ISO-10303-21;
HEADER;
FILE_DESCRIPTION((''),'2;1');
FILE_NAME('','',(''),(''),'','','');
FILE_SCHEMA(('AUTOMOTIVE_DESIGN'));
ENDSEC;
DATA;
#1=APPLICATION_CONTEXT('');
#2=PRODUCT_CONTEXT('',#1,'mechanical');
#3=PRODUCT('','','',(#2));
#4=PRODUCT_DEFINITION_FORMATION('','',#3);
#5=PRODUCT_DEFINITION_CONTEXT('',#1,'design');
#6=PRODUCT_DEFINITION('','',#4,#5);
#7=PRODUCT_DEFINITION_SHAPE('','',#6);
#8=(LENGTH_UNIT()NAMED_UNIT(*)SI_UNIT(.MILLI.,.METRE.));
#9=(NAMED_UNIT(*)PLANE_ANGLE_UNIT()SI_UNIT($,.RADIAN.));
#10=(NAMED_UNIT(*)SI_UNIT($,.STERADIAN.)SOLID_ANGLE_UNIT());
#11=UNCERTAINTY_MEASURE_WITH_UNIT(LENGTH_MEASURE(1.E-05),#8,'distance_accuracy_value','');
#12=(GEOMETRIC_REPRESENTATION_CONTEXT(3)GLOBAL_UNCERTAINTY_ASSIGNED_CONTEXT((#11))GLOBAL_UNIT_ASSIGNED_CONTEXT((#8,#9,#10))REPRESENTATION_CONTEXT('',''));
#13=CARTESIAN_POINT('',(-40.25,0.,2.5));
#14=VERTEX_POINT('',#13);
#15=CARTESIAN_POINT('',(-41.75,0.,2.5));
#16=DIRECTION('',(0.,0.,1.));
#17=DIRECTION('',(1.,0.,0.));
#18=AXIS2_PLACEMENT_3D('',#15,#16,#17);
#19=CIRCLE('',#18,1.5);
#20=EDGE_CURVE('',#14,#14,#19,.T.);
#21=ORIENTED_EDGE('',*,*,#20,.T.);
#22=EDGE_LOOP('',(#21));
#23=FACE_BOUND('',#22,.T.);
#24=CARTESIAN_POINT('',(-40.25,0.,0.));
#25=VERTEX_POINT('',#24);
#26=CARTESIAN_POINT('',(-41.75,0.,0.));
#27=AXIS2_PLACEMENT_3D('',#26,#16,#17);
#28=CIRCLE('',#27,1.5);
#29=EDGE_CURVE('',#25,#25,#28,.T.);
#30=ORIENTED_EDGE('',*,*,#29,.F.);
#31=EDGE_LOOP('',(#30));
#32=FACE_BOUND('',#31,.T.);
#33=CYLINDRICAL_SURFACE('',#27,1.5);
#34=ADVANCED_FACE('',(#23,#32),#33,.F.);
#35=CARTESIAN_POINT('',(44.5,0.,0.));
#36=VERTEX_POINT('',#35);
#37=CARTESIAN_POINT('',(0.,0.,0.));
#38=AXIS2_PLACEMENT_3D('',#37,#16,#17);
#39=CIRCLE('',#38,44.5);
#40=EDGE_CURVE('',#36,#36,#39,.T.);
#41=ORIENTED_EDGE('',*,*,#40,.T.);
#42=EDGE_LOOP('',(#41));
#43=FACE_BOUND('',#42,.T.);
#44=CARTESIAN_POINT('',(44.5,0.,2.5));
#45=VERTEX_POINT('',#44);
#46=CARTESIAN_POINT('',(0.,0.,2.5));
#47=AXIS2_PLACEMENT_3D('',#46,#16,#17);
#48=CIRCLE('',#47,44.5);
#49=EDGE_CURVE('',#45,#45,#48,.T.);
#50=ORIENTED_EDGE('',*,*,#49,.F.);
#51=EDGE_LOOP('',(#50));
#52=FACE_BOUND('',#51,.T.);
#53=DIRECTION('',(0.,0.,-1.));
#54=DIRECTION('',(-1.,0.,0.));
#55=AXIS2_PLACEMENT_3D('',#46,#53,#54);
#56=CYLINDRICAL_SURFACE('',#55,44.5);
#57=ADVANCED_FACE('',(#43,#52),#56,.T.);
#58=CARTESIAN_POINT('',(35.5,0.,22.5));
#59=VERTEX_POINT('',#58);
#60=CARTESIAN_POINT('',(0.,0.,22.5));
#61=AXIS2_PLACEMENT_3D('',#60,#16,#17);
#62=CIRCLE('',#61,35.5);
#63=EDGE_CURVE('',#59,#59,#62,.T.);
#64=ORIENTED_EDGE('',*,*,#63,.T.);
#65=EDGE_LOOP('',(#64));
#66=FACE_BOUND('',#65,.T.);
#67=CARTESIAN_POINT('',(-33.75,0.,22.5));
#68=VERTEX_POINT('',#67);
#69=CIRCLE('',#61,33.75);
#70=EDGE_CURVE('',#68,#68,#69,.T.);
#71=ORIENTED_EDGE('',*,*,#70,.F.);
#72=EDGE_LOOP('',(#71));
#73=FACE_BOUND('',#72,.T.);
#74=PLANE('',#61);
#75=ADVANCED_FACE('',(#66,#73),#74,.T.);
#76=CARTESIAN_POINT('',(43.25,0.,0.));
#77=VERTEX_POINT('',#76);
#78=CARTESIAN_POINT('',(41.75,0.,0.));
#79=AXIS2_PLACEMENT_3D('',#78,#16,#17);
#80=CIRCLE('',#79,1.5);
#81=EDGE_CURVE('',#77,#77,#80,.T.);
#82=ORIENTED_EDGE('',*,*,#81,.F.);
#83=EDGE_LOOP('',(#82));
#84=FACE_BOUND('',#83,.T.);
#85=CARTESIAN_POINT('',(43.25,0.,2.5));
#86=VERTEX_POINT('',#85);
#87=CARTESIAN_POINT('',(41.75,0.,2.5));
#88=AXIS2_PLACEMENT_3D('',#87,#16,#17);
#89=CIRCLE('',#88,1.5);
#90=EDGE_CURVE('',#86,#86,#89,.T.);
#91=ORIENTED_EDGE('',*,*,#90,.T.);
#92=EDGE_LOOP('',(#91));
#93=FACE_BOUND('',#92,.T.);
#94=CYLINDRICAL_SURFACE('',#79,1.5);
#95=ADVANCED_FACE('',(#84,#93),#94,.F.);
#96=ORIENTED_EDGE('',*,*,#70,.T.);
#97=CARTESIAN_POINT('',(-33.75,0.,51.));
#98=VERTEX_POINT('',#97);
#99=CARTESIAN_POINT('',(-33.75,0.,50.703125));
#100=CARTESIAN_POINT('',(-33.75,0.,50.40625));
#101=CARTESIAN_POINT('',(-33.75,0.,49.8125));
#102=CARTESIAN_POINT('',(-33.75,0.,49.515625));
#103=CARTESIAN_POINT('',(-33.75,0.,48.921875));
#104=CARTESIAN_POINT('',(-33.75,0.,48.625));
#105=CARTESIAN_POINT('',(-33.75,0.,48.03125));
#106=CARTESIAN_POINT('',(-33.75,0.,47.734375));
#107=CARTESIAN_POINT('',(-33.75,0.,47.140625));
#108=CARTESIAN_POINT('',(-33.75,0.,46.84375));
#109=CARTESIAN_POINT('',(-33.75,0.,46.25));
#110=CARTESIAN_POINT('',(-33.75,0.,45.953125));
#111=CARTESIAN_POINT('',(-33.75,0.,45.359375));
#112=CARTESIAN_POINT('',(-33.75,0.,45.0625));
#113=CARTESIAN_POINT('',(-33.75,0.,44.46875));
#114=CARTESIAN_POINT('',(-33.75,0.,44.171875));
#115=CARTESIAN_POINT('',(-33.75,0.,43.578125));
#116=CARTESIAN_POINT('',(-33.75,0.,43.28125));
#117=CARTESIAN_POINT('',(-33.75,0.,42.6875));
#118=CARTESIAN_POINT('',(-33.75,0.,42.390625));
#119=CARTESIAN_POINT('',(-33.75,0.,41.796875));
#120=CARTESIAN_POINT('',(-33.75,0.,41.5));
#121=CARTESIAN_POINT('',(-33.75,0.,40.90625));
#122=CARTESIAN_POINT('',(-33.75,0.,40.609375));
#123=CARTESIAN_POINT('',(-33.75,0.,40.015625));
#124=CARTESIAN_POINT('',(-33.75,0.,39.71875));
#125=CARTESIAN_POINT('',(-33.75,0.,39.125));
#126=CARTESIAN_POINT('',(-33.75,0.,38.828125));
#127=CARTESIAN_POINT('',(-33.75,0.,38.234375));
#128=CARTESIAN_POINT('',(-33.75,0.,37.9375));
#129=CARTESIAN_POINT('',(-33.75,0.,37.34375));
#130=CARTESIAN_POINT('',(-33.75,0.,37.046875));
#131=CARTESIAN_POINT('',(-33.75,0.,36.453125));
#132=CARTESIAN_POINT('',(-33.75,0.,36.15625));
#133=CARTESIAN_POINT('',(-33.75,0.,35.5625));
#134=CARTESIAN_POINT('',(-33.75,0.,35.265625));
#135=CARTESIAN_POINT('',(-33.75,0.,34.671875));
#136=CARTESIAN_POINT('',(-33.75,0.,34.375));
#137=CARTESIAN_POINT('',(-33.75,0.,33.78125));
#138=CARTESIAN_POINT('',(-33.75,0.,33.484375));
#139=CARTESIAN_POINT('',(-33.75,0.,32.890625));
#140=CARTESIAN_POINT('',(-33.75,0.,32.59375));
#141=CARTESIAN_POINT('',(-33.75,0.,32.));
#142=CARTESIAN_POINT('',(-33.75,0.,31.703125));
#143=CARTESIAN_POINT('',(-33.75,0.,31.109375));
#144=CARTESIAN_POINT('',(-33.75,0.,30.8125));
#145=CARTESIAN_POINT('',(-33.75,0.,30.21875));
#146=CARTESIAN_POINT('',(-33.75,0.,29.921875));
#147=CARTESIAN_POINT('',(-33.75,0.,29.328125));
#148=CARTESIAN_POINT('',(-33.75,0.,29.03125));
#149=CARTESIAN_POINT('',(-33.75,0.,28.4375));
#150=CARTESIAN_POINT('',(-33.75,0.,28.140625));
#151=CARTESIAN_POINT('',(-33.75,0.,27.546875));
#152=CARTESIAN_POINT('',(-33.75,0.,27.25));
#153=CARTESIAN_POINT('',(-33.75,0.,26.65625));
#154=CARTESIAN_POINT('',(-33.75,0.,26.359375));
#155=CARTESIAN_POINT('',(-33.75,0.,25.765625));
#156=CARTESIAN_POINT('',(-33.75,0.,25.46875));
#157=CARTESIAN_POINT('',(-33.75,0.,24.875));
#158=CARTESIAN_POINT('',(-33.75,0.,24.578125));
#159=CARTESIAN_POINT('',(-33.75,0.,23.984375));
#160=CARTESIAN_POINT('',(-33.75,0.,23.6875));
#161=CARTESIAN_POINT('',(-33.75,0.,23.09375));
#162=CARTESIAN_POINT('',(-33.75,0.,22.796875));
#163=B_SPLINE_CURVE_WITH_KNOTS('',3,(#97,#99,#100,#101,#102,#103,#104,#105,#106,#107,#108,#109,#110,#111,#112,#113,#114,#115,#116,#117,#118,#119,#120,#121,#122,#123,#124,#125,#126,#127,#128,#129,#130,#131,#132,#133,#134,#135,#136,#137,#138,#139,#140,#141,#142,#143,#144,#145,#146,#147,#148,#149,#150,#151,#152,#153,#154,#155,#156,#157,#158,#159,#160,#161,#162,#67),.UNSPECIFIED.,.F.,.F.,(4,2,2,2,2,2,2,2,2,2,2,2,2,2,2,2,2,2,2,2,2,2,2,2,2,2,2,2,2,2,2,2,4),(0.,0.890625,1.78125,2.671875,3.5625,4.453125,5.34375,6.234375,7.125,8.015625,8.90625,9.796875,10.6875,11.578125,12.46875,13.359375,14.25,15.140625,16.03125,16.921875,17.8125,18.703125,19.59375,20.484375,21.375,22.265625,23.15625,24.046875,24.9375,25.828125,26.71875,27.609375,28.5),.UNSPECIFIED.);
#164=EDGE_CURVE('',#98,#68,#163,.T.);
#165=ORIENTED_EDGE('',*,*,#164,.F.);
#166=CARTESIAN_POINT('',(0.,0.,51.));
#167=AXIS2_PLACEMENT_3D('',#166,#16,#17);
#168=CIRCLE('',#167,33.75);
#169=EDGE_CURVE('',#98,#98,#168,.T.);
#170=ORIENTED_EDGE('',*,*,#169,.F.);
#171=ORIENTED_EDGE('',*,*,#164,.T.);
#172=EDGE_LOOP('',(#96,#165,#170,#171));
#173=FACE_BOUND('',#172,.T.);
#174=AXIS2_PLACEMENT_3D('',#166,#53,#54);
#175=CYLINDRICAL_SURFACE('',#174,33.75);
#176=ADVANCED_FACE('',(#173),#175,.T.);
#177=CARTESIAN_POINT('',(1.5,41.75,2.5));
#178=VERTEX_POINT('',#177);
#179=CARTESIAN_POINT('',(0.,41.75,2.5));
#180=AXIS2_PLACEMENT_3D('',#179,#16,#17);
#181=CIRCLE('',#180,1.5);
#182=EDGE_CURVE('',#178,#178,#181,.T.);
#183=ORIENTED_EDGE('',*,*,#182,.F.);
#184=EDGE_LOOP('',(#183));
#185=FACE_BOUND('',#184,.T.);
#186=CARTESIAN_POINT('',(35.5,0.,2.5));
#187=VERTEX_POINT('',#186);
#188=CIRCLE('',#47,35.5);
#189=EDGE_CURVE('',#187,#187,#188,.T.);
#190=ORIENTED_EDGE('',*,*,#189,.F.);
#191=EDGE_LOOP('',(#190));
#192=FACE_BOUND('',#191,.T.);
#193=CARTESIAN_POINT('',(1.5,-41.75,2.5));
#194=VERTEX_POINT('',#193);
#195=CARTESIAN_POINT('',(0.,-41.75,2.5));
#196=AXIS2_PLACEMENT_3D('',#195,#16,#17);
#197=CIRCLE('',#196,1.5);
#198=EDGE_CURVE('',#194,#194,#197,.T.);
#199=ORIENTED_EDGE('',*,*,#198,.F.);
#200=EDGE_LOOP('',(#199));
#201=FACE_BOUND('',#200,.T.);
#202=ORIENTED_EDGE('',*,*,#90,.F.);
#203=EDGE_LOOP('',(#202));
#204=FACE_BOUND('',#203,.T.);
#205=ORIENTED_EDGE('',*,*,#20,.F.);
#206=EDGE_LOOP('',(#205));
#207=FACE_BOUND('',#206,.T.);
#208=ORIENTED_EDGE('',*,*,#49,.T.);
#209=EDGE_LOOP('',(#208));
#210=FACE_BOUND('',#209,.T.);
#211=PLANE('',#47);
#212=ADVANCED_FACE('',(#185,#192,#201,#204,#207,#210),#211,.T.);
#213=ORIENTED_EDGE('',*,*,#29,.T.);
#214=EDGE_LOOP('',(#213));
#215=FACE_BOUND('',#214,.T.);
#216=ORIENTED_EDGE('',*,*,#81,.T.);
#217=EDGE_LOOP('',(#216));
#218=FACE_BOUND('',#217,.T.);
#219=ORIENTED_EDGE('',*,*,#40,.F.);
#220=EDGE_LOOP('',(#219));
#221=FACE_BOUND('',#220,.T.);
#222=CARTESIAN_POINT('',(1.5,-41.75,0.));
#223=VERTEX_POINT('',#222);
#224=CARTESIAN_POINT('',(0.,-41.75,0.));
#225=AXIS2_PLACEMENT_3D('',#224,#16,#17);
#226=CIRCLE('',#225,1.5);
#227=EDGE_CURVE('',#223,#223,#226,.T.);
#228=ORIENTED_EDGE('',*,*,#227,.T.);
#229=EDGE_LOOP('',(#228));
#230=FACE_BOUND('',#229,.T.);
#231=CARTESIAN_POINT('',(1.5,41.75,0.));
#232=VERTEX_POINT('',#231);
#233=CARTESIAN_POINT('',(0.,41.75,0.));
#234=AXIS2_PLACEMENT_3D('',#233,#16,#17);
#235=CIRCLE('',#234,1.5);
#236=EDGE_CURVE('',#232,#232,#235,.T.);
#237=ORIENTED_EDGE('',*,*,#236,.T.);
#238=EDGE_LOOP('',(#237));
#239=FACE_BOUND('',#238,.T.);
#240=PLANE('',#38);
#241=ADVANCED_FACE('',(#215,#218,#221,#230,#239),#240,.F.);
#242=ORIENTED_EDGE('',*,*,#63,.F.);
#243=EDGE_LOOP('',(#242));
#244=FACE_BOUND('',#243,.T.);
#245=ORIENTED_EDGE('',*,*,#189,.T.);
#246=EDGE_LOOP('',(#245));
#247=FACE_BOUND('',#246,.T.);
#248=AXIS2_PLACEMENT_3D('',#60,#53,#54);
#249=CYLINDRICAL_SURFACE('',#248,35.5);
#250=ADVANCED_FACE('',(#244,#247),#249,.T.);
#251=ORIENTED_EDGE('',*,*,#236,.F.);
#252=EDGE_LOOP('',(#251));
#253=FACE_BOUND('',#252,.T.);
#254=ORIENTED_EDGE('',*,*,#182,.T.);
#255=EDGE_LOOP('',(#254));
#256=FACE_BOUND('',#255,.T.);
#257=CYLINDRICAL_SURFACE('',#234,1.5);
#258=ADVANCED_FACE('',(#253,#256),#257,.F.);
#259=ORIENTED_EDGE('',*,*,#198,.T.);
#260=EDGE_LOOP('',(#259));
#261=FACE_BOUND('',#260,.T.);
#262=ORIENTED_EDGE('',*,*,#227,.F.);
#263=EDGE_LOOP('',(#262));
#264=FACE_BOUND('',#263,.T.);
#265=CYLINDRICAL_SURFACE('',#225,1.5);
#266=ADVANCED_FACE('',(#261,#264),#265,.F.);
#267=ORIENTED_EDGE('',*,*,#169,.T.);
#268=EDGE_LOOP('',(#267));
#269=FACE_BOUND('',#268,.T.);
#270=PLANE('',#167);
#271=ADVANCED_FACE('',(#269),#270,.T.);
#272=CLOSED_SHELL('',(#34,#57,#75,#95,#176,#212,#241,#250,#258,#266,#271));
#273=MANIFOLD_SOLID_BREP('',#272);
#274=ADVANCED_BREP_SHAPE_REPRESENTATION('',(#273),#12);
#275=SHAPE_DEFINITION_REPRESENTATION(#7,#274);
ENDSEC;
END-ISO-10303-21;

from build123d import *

# Parameters (mm, degrees)
SKETCH1_R           = 44.5
BOSS_EXTRUDE1_DEPTH = 2.5
SKETCH2_R           = 1.5
CUT_EXTRUDE1_DEPTH  = 63.982140326
SKETCH3_R           = 35.5
BOSS_EXTRUDE2_DEPTH = 20
SKETCH4_R           = 33.75
BOSS_EXTRUDE3_DEPTH = 28.5


with BuildPart() as part:
    # Sketch1 → Boss-Extrude1 (new body)
    with BuildSketch(Plane.XY):
        Circle(SKETCH1_R)
    extrude(amount=BOSS_EXTRUDE1_DEPTH)

    # Sketch2 → Cut-Extrude1 (cut, through all)
    with BuildSketch(Plane.XY.offset(2.5)):
        with Locations((0, 41.75)):
            Circle(SKETCH2_R)
        with Locations((41.75, 0)):
            Circle(SKETCH2_R)
        with Locations((0, -41.75)):
            Circle(SKETCH2_R)
        with Locations((-41.75, 0)):
            Circle(SKETCH2_R)
    extrude(amount=-CUT_EXTRUDE1_DEPTH, mode=Mode.SUBTRACT)

    # Sketch3 → Boss-Extrude2 (add)
    with BuildSketch(Plane.XY.offset(2.5)):
        Circle(SKETCH3_R)
    extrude(amount=BOSS_EXTRUDE2_DEPTH)

    # Sketch4 → Boss-Extrude3 (add)
    with BuildSketch(Plane.XY.offset(22.5)):
        with Locations(Location((0, 0, 0), (0, 0, 180))):
            Circle(SKETCH4_R)
    extrude(amount=BOSS_EXTRUDE3_DEPTH)


solid = part.part
